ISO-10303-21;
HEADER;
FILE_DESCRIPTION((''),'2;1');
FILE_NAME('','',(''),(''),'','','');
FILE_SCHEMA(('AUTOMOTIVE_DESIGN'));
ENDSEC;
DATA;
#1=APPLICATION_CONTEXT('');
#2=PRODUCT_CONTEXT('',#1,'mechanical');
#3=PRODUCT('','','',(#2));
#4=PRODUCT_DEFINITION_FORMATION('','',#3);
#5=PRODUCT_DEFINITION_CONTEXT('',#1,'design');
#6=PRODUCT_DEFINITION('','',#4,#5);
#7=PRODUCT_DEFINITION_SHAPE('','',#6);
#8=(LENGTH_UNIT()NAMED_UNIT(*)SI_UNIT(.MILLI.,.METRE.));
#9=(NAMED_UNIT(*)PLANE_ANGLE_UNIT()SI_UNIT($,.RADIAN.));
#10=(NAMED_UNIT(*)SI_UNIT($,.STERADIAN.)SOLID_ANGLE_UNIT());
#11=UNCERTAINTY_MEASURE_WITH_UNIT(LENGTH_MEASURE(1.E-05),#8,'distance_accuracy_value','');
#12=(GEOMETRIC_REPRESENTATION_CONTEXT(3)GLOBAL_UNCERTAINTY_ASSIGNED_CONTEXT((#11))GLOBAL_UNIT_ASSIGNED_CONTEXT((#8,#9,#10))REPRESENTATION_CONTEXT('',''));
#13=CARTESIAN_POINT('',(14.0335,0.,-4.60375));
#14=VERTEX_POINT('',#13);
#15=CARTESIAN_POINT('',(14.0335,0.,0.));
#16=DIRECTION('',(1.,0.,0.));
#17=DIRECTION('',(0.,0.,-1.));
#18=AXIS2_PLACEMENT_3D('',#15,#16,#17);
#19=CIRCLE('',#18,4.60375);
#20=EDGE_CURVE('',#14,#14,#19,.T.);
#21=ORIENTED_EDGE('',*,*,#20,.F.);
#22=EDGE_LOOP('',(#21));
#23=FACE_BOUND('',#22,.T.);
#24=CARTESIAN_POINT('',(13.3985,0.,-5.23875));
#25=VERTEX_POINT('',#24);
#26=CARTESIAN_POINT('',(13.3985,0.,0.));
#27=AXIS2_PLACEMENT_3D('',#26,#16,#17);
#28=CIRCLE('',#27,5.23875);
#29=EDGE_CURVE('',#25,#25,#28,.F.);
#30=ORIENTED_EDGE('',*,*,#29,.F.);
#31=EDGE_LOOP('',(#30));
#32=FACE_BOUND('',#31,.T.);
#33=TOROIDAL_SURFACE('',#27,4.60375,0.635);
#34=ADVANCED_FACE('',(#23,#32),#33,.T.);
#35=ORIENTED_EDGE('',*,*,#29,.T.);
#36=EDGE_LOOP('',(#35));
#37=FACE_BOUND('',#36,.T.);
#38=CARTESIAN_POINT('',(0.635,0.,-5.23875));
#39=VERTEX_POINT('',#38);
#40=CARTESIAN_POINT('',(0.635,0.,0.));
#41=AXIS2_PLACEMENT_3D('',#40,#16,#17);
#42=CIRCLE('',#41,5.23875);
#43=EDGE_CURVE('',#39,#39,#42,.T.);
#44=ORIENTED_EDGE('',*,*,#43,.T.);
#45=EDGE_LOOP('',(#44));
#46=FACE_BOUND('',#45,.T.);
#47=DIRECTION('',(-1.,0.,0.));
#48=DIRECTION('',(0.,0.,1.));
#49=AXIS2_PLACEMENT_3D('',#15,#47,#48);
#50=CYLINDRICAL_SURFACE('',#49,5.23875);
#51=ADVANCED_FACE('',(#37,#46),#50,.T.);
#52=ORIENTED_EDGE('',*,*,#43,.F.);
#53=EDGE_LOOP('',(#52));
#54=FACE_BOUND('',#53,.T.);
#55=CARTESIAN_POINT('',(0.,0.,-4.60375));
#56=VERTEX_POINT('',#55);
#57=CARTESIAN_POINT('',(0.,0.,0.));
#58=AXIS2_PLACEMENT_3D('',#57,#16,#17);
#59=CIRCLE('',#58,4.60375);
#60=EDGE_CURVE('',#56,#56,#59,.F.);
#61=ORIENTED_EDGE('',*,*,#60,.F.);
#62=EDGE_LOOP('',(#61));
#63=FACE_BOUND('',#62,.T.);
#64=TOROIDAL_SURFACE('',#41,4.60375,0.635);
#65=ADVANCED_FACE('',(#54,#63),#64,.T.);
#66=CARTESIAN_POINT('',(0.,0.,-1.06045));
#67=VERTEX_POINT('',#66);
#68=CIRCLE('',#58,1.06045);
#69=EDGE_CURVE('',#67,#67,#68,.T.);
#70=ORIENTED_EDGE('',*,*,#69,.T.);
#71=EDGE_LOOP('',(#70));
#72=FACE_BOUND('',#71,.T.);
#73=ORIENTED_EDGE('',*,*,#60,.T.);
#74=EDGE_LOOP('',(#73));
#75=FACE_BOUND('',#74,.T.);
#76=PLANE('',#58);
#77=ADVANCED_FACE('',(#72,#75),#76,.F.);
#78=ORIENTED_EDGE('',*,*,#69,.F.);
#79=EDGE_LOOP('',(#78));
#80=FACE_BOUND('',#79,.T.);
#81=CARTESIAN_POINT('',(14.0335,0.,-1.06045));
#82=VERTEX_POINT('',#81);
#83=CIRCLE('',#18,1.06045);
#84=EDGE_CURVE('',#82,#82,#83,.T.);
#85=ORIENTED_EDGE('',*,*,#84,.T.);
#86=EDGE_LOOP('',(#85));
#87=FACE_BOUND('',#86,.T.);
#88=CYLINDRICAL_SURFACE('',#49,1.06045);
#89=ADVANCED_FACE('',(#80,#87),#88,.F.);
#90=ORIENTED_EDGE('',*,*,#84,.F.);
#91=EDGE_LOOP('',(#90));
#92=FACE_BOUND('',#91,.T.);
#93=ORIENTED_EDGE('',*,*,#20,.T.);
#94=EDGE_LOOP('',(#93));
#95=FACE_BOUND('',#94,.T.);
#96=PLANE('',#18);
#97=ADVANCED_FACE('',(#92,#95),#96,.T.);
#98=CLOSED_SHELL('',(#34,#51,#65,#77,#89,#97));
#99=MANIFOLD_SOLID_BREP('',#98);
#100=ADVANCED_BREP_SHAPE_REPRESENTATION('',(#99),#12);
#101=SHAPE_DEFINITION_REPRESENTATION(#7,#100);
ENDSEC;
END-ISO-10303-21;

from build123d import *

# Parameters (mm, degrees)
SKETCH1_R           = 5.23875
SKETCH1_R_2         = 1.06045
BOSS_EXTRUDE1_DEPTH = 14.0335
FILLET1_R           = 0.635


with BuildPart() as part:
    # Sketch1 → Boss-Extrude1 (new body)
    with BuildSketch(Plane(origin=(0, 0, 0), x_dir=(0, 0, -1), z_dir=(1, 0, 0))):
        Circle(SKETCH1_R)
        Circle(SKETCH1_R_2, mode=Mode.SUBTRACT)
    extrude(amount=BOSS_EXTRUDE1_DEPTH)

    # Fillet1
    fillet1_edges = [part.edges().sort_by_distance(p)[0] for p in [
        (0, 0, 5.23875),
        (14.0335, 0, 5.23875),
    ]]
    fillet(fillet1_edges, radius=FILLET1_R)


solid = part.part
